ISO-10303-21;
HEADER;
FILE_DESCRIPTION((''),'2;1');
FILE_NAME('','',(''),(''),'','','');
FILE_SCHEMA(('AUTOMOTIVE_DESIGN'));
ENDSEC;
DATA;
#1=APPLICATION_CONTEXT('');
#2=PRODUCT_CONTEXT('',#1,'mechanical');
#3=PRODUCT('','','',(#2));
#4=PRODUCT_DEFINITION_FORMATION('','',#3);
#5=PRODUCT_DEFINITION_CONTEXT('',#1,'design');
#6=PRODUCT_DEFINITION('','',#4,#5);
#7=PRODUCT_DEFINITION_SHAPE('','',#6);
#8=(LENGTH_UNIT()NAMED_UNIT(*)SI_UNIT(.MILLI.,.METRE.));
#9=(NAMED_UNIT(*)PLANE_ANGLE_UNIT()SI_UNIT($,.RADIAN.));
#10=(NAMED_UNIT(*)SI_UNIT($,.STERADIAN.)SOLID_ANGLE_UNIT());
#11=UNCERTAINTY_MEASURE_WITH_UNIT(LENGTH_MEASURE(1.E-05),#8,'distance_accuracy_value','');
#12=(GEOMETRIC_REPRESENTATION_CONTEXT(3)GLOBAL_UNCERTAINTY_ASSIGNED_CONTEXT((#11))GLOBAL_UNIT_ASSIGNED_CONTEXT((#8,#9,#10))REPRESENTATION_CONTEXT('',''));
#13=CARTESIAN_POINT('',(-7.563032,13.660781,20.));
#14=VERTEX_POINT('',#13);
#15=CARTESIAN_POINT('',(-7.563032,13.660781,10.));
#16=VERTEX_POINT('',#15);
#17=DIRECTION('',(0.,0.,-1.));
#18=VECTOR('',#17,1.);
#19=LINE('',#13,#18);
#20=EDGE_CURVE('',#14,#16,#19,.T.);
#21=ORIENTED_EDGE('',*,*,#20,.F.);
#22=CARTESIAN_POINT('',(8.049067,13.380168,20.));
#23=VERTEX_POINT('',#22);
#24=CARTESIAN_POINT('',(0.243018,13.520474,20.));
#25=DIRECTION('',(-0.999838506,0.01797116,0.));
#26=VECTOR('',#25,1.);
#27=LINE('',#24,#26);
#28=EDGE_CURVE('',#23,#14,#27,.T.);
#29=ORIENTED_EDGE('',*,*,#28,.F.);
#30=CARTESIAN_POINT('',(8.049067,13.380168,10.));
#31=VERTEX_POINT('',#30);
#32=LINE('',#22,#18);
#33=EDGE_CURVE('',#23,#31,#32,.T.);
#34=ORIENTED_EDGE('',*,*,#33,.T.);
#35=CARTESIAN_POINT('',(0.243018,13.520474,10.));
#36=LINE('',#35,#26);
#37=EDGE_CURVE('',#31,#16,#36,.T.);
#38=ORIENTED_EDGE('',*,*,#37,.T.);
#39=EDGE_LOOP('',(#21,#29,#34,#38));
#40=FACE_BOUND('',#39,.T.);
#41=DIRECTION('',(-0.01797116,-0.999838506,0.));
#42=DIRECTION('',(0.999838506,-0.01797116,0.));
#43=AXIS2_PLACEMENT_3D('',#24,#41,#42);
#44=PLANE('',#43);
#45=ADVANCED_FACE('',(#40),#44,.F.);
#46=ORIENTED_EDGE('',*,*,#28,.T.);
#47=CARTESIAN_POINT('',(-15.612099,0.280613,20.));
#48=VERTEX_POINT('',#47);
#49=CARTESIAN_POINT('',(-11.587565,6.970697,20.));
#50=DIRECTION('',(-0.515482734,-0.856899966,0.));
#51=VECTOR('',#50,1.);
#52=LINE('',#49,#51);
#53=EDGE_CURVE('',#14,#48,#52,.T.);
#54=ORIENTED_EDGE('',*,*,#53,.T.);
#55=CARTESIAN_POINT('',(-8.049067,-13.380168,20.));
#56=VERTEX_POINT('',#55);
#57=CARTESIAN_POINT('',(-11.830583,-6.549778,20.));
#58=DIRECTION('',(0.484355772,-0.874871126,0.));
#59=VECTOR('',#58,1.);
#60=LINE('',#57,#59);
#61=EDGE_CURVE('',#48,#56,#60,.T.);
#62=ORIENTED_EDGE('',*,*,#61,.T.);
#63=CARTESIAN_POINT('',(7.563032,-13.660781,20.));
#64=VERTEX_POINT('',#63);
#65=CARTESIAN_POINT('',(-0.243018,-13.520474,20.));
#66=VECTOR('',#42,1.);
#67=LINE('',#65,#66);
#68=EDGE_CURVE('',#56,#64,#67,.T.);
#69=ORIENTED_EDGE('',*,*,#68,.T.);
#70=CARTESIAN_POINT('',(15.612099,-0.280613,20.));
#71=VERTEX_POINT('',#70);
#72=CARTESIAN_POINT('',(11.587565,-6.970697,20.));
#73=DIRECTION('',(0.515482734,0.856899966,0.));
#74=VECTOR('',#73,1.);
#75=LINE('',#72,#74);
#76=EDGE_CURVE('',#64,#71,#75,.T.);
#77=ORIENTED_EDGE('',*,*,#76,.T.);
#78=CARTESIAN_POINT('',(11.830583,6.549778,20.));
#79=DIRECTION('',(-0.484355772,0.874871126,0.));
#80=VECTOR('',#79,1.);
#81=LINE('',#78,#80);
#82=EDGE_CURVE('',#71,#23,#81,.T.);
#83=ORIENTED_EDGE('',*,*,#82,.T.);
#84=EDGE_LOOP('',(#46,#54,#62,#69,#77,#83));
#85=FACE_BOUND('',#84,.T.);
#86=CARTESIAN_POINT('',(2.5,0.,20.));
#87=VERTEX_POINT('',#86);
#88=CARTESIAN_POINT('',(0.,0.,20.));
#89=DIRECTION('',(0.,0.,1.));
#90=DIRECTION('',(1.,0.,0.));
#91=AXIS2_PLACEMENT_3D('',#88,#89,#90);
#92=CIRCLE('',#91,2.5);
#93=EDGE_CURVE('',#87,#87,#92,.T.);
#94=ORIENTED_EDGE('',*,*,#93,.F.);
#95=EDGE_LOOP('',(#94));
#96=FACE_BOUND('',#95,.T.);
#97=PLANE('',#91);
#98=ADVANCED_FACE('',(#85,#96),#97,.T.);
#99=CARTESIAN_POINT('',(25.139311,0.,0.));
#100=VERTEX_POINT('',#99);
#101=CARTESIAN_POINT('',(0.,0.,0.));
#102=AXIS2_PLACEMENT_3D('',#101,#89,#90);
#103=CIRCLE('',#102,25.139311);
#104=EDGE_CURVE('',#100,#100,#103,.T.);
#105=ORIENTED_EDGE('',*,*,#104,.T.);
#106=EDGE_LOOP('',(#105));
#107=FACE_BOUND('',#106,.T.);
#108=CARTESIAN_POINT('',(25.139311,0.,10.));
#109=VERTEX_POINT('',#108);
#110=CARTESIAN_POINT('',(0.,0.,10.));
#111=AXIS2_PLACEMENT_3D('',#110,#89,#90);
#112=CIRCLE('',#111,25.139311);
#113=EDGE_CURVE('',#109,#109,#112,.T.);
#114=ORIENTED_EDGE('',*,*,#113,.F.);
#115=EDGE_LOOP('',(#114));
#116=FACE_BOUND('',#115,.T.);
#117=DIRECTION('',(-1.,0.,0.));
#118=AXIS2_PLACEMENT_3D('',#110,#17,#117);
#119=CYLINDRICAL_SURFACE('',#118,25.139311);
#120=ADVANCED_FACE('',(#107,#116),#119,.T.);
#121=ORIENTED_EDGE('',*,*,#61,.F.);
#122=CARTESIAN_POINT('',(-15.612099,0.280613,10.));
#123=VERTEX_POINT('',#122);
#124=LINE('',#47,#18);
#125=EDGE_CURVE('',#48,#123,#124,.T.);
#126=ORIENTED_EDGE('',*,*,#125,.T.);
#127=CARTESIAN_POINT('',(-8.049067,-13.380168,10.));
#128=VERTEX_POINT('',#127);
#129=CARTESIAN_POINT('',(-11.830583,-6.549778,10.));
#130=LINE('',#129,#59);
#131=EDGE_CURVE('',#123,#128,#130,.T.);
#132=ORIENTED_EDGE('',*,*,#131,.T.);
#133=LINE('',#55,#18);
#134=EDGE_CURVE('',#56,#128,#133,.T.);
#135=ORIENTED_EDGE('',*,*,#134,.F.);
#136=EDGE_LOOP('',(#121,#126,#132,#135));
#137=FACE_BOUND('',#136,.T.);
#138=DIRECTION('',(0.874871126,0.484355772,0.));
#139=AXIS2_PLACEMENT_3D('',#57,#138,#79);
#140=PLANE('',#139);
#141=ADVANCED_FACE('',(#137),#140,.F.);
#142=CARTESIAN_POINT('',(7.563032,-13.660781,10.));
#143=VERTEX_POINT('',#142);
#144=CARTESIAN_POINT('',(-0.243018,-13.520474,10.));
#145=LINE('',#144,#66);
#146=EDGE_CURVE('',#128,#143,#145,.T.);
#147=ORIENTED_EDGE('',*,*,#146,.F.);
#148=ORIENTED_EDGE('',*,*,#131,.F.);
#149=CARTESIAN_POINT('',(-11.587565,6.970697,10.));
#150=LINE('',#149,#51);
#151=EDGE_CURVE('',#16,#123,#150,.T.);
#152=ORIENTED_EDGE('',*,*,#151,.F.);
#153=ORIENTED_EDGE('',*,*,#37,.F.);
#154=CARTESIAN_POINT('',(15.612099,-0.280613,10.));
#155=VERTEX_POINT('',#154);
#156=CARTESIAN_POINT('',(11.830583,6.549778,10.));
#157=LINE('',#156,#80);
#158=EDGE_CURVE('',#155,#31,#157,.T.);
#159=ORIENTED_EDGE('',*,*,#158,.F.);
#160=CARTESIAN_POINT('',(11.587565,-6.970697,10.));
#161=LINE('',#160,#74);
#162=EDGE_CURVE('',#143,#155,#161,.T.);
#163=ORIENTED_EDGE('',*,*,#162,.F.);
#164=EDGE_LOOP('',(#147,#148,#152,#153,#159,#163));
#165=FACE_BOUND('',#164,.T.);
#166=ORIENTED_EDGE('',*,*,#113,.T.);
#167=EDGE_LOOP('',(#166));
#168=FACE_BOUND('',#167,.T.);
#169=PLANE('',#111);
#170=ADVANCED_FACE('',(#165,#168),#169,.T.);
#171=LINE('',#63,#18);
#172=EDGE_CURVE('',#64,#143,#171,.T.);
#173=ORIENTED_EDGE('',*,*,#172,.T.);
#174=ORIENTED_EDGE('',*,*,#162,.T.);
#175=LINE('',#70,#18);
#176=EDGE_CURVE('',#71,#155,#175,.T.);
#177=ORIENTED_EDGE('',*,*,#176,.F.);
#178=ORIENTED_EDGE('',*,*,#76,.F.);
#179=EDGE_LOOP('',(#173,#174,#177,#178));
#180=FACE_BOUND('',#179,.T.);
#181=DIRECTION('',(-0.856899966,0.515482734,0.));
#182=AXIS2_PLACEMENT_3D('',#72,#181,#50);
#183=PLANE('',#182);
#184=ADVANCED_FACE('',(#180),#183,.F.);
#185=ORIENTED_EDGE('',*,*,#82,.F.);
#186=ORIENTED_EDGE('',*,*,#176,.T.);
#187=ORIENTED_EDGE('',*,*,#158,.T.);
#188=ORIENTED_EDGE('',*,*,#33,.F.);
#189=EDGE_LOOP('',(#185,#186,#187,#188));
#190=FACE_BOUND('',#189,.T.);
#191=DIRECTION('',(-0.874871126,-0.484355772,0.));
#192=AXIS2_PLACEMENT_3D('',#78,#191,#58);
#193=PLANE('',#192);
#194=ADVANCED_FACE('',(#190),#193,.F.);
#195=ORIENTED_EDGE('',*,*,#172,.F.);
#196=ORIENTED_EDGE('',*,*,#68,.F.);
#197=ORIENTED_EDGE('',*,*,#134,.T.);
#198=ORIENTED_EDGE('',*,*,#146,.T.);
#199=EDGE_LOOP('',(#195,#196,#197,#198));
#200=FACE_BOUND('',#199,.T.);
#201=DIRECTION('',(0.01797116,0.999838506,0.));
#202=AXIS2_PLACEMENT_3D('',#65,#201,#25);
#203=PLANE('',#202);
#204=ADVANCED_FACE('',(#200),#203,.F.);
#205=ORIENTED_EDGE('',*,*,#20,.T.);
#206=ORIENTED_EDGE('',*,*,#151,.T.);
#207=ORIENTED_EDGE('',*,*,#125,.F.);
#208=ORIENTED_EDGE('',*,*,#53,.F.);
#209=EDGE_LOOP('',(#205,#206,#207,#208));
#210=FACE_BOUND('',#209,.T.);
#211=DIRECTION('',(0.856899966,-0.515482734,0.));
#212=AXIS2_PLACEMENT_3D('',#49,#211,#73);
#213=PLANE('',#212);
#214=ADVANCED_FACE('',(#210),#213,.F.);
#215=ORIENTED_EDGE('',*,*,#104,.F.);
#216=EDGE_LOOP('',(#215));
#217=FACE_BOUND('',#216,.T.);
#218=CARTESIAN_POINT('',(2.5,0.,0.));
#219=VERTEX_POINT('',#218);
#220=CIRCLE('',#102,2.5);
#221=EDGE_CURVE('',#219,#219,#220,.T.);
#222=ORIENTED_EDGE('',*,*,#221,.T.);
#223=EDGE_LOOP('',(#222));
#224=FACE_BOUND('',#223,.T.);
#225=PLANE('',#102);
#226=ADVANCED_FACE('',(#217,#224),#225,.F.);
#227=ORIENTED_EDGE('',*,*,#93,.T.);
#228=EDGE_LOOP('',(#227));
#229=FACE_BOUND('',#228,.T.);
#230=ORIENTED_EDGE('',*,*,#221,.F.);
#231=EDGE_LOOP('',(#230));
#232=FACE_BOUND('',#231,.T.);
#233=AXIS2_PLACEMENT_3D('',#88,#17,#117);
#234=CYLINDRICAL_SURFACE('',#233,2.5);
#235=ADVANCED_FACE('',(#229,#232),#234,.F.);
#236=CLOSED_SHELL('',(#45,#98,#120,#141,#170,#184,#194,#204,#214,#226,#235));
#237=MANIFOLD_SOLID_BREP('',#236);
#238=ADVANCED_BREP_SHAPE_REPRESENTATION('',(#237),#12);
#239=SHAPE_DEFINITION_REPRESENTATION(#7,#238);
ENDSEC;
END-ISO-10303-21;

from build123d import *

# Parameters (mm, degrees)
SKETCH1_R           = 25.139311184
BOSS_EXTRUDE1_DEPTH = 10
SKETCH1_3_R         = 2.5
BOSS_EXTRUDE2_DEPTH = 20


with BuildPart() as part:
    # Sketch1 → Boss-Extrude1 (new body)
    with BuildSketch(Plane.XY):
        Circle(SKETCH1_R)
        Polygon((-7.563031623, 13.660780721), (8.049067329, 13.380167876), (15.612098952, -0.280612845), (7.563031623, -13.660780721), (-8.049067329, -13.380167876), (-15.612098952, 0.280612845), align=None, mode=Mode.SUBTRACT)
    extrude(amount=BOSS_EXTRUDE1_DEPTH)

    # Sketch1<3> → Boss-Extrude2 (add)
    with BuildSketch(Plane.XY):
        Polygon((15.612098952, -0.280612845), (8.049067329, 13.380167876), (-7.563031623, 13.660780721), (-15.612098952, 0.280612845), (-8.049067329, -13.380167876), (7.563031623, -13.660780721), align=None)
        Circle(SKETCH1_3_R, mode=Mode.SUBTRACT)
    extrude(amount=BOSS_EXTRUDE2_DEPTH)


solid = part.part
